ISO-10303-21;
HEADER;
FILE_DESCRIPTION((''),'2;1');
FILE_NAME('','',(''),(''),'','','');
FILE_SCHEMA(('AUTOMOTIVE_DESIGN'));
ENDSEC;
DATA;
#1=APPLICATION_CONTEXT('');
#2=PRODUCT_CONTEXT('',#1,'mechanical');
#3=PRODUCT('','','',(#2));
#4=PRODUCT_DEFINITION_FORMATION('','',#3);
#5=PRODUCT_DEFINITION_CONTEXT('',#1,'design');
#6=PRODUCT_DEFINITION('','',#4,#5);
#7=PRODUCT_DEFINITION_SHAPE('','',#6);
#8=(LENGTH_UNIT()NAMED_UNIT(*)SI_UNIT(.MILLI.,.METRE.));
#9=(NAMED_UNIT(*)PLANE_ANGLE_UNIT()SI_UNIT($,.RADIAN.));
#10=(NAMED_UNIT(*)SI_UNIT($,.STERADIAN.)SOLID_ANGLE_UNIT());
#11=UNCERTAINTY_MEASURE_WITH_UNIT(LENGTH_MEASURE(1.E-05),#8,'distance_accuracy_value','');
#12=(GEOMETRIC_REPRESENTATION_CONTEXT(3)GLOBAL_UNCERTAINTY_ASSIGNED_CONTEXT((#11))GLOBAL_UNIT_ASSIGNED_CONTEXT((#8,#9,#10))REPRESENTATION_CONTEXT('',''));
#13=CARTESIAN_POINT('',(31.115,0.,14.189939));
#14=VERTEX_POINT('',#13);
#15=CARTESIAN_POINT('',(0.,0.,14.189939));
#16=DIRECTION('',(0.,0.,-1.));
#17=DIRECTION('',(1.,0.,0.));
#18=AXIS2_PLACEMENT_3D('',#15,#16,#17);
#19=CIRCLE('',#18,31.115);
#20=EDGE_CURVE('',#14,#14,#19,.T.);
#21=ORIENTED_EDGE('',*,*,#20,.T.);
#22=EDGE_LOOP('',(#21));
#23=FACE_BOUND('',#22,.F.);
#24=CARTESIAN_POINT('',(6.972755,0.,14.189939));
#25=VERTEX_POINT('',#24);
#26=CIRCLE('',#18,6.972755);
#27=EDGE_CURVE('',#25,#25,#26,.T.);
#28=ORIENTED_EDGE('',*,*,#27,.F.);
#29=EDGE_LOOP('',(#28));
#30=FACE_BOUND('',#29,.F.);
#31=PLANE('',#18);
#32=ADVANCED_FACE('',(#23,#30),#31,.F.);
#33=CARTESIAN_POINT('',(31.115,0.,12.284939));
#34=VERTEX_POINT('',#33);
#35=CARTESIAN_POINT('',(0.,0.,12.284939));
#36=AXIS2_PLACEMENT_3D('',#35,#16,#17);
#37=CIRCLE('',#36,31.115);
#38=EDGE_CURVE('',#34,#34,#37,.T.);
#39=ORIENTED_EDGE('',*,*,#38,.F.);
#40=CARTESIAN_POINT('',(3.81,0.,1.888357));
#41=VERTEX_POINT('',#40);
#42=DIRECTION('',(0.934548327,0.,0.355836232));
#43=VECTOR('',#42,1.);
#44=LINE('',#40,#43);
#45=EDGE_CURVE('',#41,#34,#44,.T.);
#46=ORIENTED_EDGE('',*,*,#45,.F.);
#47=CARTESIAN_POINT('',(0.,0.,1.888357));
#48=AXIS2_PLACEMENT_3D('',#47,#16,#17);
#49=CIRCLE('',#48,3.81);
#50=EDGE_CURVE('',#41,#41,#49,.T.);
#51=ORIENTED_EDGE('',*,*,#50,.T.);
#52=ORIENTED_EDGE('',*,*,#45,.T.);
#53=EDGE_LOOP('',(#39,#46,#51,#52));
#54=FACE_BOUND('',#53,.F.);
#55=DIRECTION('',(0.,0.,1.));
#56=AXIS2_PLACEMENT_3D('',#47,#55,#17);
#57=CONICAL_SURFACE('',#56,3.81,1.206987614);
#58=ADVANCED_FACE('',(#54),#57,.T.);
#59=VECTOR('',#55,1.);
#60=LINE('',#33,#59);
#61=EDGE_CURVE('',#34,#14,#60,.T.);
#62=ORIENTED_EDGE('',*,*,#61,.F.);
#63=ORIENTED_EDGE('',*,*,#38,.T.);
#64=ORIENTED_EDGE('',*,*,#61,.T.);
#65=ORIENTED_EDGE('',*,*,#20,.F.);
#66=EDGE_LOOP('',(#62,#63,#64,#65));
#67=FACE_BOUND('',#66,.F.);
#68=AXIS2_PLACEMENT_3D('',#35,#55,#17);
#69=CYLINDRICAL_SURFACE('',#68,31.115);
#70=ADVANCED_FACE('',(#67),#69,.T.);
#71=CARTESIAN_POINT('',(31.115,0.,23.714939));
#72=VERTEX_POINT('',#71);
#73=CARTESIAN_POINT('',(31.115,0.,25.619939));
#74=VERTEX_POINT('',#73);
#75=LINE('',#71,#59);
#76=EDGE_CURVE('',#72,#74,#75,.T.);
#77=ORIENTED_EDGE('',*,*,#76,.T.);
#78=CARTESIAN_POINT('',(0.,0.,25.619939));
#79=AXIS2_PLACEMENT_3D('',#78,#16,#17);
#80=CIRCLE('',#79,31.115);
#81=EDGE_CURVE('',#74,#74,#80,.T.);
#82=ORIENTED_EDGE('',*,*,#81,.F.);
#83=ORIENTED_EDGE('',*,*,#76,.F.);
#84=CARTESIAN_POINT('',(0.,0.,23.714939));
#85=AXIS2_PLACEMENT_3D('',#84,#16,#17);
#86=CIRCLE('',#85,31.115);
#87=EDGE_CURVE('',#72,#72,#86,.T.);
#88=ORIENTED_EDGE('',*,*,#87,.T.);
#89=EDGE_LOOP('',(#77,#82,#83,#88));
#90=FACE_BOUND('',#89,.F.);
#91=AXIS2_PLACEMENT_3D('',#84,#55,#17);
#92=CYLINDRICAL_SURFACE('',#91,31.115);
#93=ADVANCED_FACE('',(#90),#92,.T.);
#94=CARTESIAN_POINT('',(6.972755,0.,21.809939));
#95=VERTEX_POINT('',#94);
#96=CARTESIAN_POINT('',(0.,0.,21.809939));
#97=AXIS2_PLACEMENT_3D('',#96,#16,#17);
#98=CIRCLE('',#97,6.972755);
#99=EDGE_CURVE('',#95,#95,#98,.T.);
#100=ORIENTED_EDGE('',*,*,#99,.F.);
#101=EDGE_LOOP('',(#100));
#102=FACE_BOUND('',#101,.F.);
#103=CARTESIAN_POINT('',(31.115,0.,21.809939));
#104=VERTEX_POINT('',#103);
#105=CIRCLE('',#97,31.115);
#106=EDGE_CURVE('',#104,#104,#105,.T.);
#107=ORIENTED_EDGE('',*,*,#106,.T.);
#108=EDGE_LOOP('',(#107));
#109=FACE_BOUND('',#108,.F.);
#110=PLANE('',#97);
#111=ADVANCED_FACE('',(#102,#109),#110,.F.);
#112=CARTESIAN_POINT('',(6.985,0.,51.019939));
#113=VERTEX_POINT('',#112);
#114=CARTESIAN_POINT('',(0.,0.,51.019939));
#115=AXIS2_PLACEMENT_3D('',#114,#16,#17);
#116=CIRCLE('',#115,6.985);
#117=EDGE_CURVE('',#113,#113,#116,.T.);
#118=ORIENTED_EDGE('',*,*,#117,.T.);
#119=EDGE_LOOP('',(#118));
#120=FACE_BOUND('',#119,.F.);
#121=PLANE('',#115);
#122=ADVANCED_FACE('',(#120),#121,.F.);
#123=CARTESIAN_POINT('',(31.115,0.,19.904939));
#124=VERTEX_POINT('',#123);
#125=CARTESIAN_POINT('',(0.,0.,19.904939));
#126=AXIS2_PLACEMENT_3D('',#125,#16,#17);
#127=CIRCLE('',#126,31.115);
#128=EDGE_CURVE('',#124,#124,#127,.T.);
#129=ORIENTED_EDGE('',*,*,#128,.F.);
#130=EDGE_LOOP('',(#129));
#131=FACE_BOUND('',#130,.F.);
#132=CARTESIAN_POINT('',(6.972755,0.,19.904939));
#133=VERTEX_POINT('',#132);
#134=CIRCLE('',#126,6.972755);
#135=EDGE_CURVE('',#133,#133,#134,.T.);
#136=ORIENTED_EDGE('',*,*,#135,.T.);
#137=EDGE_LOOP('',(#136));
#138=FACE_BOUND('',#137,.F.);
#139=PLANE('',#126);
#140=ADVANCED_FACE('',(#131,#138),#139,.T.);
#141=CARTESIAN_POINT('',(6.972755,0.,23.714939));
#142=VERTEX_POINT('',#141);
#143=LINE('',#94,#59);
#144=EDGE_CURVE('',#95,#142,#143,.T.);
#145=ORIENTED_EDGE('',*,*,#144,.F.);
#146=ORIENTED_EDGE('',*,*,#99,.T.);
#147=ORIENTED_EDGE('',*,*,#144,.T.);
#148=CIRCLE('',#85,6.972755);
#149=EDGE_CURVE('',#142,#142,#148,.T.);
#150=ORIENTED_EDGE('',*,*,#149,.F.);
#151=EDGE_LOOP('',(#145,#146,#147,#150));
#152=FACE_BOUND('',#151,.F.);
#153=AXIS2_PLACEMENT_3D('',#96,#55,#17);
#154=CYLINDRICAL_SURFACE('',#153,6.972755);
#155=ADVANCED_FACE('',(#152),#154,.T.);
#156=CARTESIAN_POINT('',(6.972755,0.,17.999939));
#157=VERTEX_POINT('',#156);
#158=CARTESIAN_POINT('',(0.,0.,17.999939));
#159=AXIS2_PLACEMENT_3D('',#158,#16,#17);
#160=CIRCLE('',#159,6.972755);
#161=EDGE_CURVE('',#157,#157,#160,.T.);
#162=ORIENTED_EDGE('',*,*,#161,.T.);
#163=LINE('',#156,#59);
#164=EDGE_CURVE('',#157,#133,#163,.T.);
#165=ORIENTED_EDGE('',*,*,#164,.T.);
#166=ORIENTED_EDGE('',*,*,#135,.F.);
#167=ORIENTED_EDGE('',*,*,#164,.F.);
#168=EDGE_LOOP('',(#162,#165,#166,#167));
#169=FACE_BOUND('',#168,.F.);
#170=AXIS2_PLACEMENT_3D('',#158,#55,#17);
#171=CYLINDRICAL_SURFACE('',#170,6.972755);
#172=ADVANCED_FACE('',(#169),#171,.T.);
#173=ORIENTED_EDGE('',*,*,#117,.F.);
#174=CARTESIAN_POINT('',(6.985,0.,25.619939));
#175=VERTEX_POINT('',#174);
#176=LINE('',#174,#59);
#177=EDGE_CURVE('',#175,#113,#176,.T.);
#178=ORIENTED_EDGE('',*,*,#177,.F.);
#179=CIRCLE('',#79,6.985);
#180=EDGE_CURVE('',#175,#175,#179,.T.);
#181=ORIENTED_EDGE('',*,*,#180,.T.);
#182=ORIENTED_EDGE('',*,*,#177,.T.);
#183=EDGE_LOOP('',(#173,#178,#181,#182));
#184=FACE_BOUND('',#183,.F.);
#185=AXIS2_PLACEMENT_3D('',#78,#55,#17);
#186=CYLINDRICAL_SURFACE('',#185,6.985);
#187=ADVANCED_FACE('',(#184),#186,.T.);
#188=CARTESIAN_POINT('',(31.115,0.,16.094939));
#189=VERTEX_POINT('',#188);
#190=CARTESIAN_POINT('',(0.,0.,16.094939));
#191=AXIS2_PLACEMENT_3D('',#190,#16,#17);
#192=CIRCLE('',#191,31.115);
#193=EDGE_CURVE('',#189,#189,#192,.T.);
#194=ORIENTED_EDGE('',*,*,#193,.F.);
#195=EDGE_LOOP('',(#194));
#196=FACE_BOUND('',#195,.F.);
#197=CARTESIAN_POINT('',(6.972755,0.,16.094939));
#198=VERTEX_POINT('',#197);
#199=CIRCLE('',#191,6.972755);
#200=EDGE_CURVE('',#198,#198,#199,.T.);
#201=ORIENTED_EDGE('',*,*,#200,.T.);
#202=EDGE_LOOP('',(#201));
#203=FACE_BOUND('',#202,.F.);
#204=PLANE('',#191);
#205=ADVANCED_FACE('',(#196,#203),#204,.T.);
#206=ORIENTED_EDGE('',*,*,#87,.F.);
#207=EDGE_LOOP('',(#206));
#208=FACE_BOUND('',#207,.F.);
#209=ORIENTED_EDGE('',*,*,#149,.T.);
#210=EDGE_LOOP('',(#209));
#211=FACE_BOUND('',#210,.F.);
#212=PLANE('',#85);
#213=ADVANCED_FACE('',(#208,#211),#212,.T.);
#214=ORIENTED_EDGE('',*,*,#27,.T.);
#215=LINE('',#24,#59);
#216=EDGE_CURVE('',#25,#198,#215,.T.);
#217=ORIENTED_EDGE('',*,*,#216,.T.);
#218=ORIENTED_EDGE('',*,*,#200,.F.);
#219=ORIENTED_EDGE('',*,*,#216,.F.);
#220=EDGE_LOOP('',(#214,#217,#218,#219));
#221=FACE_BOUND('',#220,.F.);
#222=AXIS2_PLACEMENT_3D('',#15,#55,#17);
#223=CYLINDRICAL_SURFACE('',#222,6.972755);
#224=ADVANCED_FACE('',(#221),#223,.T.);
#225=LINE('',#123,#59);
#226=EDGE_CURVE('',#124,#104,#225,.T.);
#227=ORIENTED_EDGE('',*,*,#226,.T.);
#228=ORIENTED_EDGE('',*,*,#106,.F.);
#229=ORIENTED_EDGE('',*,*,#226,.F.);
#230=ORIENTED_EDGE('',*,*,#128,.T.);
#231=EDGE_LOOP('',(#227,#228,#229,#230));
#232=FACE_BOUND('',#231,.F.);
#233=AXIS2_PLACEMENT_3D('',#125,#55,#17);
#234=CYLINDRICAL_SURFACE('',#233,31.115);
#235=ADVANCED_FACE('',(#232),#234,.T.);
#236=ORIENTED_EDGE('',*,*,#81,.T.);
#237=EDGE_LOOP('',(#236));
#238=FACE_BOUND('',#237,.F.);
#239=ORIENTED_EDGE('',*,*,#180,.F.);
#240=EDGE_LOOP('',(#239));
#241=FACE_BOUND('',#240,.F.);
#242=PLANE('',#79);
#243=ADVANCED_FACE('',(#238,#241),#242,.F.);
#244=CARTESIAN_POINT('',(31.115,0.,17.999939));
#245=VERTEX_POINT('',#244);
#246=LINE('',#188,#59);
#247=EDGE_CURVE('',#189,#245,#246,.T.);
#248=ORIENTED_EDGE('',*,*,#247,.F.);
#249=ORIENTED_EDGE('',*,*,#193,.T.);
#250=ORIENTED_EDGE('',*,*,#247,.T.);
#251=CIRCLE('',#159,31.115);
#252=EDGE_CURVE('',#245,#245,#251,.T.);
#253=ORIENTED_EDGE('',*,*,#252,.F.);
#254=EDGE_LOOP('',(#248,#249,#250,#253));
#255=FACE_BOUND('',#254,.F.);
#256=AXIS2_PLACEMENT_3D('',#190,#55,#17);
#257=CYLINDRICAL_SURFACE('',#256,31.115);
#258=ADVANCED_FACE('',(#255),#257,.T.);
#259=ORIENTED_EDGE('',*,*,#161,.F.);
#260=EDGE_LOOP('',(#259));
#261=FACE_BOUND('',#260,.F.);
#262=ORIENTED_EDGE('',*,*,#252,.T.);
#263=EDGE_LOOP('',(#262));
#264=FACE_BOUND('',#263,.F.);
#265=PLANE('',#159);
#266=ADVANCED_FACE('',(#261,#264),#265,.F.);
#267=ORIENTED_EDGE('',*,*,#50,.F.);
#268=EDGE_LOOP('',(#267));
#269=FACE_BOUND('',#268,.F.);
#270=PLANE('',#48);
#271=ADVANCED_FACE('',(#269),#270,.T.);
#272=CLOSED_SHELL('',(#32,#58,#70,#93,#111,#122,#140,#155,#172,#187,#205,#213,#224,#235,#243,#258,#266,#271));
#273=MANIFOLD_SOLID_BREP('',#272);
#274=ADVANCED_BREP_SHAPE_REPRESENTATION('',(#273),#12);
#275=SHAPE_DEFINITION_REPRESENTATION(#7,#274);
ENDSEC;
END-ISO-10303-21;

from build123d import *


with BuildPart() as f1:
    # F0 (on Front) → F1 (revolve)
    with BuildSketch(Plane.XZ):
        Polygon((31.115, 23.714939), (31.115, 25.619939), (6.985, 25.619939), (6.985, 51.019939), (0, 51.019939), (0, 1.888357), (3.81, 1.888357), (31.115, 12.284939), (31.115, 14.189939), (6.972755, 14.189939), (6.972755, 16.094939), (31.115, 16.094939), (31.115, 17.999939), (6.972755, 17.999939), (6.972755, 19.904939), (31.115, 19.904939), (31.115, 21.809939), (6.972755, 21.809939), (6.972755, 23.714939), align=None)
    revolve(axis=Axis((0, 0, 26.454148), (0, 0, -1)))


solid = f1.part
